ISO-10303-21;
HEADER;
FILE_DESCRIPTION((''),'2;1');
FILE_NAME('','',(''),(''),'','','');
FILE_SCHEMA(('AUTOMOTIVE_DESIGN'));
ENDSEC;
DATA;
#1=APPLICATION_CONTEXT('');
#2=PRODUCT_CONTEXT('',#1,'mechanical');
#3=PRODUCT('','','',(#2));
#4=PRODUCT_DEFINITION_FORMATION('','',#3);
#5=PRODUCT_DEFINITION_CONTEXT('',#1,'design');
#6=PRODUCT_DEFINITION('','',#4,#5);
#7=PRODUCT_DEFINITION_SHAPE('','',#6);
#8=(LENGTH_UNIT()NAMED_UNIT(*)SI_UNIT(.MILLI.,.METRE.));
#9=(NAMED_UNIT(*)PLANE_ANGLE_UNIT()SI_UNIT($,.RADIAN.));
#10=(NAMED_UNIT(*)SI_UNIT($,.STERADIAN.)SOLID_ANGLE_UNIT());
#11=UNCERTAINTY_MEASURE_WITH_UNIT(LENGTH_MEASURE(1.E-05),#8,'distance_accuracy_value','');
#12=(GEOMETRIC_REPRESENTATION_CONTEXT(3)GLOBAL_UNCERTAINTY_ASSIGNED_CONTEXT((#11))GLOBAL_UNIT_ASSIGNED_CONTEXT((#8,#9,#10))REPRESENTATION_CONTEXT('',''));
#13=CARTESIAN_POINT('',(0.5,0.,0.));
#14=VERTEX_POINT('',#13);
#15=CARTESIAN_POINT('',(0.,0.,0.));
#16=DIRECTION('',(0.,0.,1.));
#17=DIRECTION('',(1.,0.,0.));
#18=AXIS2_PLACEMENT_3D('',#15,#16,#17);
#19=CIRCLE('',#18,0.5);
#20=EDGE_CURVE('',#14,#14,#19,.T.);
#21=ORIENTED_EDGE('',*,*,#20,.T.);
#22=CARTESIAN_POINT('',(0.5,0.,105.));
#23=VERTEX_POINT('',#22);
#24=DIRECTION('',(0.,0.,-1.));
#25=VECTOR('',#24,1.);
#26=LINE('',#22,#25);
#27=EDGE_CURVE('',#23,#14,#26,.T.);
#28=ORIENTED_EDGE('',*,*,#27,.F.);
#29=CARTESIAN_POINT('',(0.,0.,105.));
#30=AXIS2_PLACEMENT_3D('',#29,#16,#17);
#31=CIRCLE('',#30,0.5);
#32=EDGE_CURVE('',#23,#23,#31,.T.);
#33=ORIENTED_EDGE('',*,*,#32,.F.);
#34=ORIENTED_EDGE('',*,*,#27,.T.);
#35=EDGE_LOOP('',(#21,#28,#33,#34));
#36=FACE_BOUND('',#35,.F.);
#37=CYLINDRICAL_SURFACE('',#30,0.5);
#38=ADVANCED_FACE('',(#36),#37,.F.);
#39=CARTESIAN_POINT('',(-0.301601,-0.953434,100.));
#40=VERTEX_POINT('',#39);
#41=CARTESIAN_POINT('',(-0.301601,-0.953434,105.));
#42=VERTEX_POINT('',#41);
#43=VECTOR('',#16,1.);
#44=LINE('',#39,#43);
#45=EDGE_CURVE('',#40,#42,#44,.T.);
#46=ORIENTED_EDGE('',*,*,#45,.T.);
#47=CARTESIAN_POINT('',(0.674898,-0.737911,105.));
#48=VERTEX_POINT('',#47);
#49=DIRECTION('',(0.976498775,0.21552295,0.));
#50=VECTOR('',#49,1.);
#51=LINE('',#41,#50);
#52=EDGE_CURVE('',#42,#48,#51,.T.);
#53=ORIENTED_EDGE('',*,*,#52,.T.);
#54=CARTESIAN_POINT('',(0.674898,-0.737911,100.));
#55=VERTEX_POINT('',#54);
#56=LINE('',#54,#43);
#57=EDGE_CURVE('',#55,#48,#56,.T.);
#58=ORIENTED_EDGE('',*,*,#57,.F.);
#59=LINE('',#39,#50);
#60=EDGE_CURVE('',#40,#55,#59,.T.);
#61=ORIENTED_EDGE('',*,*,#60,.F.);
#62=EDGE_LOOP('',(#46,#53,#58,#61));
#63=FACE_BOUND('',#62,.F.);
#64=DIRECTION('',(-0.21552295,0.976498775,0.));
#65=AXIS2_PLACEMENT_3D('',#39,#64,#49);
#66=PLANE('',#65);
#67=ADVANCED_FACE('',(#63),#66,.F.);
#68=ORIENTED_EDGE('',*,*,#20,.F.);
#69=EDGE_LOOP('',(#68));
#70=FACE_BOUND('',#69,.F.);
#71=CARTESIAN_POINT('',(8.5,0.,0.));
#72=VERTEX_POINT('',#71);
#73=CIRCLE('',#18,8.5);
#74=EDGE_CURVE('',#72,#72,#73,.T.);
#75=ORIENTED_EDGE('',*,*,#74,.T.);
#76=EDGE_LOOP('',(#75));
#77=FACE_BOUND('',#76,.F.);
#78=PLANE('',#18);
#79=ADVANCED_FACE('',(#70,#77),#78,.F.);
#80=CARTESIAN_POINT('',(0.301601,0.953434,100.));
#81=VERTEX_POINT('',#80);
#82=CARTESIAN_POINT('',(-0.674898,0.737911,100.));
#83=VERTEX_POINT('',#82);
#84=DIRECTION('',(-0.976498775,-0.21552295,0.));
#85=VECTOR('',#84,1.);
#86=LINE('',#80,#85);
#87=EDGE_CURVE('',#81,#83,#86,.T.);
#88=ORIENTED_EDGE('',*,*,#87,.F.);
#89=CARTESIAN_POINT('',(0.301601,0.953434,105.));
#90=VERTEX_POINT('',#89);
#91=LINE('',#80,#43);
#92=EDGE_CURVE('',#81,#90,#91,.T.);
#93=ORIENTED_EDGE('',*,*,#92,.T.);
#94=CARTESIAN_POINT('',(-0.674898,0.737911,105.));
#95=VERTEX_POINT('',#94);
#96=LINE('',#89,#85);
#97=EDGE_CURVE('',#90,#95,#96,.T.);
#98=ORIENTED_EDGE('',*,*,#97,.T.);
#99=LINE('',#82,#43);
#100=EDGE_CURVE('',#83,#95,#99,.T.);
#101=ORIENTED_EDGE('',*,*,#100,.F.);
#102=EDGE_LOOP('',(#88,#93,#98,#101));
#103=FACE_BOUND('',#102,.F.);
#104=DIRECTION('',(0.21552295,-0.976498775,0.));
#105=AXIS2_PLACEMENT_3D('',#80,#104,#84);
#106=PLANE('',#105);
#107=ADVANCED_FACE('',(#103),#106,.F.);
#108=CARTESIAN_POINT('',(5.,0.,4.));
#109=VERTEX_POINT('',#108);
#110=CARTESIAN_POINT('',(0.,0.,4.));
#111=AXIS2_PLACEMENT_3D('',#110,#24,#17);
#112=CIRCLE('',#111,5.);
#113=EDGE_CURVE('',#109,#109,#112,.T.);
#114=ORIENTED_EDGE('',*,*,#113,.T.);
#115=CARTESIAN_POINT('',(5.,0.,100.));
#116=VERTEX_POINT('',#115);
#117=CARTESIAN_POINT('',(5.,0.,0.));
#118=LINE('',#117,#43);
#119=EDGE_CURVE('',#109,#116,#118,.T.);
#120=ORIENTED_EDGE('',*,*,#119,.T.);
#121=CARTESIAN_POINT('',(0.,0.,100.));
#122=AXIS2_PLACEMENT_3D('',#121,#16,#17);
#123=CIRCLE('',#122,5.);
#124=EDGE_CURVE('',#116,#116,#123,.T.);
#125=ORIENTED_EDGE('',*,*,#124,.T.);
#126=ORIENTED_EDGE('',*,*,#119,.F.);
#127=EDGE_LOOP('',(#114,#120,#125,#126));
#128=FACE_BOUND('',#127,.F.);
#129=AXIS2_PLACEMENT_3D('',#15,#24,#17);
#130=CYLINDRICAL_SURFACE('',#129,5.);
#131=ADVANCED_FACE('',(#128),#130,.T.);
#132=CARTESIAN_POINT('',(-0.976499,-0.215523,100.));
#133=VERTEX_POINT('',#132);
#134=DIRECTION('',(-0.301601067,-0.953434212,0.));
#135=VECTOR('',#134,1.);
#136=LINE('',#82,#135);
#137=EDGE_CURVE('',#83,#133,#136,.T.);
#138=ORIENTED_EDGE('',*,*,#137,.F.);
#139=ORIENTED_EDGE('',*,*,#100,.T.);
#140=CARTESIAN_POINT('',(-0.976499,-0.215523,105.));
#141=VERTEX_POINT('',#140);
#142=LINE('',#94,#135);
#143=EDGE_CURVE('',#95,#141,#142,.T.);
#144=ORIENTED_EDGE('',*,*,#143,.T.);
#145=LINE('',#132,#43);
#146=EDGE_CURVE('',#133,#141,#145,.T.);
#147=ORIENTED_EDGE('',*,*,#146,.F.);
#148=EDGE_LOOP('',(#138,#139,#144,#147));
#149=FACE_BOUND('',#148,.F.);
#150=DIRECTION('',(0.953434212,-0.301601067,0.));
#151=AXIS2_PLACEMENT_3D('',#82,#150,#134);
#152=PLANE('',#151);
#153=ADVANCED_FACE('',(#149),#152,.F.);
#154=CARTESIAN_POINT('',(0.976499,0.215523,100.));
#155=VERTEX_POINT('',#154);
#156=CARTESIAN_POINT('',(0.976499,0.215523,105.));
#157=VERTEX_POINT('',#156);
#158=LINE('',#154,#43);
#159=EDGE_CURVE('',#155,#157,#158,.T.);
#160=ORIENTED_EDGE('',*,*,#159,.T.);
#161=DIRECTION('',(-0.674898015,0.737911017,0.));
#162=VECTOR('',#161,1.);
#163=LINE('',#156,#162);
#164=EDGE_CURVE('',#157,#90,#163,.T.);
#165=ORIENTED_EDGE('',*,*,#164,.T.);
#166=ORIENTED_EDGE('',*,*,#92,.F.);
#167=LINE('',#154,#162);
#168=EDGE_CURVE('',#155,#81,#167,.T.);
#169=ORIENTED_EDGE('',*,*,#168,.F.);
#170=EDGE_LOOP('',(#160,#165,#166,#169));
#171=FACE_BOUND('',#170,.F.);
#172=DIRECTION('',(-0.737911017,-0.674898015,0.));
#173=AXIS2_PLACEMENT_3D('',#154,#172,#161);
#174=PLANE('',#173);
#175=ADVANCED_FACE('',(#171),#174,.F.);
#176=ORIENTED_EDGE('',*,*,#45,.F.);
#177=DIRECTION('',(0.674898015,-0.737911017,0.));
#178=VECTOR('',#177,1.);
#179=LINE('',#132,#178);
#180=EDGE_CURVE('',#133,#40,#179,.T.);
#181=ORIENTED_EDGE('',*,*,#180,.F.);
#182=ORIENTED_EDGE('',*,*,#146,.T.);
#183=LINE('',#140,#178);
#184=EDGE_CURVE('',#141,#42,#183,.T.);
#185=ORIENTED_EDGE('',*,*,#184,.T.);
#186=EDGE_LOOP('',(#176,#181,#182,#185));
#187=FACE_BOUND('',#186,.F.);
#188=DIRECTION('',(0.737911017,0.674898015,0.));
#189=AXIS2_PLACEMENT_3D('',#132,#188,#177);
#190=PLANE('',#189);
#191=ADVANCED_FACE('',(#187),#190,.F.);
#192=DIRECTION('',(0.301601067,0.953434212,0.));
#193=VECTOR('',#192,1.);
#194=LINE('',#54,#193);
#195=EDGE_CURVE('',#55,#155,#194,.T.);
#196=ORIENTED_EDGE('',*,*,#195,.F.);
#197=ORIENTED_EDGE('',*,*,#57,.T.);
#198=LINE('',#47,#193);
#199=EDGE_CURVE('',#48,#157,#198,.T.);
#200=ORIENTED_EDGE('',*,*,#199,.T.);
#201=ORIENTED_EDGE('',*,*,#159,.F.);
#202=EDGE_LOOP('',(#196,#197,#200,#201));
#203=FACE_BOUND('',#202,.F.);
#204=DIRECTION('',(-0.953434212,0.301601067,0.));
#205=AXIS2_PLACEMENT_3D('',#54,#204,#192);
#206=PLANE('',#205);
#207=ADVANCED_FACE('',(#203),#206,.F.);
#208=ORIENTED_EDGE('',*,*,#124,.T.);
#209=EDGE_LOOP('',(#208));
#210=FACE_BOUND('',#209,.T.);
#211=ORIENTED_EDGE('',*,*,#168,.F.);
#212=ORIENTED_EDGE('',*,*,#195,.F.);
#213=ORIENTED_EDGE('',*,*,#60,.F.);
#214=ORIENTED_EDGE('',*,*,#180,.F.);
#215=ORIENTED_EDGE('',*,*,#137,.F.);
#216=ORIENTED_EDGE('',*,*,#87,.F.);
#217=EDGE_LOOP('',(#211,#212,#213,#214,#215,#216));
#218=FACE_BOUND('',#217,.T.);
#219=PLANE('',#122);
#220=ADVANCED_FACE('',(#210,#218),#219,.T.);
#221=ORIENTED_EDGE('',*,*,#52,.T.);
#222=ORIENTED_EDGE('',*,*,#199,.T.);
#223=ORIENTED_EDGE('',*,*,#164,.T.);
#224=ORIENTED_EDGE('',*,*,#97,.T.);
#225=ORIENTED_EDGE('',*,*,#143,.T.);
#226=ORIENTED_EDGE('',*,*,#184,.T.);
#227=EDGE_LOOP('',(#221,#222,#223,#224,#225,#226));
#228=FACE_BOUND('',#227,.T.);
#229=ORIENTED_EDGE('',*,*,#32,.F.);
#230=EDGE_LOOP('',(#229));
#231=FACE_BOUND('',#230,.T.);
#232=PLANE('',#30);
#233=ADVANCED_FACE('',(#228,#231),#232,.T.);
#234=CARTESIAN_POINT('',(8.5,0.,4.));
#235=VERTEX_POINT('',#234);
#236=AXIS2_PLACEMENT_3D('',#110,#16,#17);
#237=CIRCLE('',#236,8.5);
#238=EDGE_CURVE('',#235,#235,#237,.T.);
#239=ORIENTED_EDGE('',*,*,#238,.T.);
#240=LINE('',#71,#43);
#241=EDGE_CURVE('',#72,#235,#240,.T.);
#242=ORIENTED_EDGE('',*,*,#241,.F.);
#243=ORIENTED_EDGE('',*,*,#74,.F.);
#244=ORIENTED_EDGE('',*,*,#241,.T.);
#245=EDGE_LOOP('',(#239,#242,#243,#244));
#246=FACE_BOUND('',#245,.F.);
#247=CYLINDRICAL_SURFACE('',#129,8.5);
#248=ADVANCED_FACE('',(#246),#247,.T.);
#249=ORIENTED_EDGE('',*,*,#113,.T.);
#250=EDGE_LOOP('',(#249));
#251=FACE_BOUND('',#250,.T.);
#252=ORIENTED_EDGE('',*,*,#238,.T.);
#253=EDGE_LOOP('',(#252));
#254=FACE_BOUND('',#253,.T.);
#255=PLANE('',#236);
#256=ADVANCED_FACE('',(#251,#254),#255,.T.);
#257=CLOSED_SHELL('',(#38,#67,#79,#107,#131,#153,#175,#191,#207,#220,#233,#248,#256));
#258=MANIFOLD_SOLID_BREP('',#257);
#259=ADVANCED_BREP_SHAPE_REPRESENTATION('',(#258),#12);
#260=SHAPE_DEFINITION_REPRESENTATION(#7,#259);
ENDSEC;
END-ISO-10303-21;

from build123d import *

# Parameters (mm, degrees)
F0_R     = 8.5
F1_DEPTH = 4
F2_R     = 5
F3_DEPTH = 100
F5_DEPTH = 5
F6_R     = 0.5
F7_DEPTH = 115.3


with BuildPart() as f1:
    # F0 (on Top) → F1 (new body)
    with BuildSketch(Plane.XY):
        Circle(F0_R)
    extrude(amount=F1_DEPTH)

    # F2 (on Top) → F3 (join)
    with BuildSketch(Plane.XY):
        Circle(F2_R)
    extrude(amount=F3_DEPTH)

    # F4 (on face) → F5 (join)
    with BuildSketch(Plane.XY.offset(100)):
        Polygon((0.674898, -0.737911), (0.976499, 0.215523), (0.301601, 0.953434), (-0.674898, 0.737911), (-0.976499, -0.215523), (-0.301601, -0.953434), align=None)
    extrude(amount=F5_DEPTH)

    # F6 (on face) → F7 (cut)
    with BuildSketch(Plane.XY.offset(105)):
        Circle(F6_R)
    extrude(amount=-F7_DEPTH, mode=Mode.SUBTRACT)


solid = f1.part
